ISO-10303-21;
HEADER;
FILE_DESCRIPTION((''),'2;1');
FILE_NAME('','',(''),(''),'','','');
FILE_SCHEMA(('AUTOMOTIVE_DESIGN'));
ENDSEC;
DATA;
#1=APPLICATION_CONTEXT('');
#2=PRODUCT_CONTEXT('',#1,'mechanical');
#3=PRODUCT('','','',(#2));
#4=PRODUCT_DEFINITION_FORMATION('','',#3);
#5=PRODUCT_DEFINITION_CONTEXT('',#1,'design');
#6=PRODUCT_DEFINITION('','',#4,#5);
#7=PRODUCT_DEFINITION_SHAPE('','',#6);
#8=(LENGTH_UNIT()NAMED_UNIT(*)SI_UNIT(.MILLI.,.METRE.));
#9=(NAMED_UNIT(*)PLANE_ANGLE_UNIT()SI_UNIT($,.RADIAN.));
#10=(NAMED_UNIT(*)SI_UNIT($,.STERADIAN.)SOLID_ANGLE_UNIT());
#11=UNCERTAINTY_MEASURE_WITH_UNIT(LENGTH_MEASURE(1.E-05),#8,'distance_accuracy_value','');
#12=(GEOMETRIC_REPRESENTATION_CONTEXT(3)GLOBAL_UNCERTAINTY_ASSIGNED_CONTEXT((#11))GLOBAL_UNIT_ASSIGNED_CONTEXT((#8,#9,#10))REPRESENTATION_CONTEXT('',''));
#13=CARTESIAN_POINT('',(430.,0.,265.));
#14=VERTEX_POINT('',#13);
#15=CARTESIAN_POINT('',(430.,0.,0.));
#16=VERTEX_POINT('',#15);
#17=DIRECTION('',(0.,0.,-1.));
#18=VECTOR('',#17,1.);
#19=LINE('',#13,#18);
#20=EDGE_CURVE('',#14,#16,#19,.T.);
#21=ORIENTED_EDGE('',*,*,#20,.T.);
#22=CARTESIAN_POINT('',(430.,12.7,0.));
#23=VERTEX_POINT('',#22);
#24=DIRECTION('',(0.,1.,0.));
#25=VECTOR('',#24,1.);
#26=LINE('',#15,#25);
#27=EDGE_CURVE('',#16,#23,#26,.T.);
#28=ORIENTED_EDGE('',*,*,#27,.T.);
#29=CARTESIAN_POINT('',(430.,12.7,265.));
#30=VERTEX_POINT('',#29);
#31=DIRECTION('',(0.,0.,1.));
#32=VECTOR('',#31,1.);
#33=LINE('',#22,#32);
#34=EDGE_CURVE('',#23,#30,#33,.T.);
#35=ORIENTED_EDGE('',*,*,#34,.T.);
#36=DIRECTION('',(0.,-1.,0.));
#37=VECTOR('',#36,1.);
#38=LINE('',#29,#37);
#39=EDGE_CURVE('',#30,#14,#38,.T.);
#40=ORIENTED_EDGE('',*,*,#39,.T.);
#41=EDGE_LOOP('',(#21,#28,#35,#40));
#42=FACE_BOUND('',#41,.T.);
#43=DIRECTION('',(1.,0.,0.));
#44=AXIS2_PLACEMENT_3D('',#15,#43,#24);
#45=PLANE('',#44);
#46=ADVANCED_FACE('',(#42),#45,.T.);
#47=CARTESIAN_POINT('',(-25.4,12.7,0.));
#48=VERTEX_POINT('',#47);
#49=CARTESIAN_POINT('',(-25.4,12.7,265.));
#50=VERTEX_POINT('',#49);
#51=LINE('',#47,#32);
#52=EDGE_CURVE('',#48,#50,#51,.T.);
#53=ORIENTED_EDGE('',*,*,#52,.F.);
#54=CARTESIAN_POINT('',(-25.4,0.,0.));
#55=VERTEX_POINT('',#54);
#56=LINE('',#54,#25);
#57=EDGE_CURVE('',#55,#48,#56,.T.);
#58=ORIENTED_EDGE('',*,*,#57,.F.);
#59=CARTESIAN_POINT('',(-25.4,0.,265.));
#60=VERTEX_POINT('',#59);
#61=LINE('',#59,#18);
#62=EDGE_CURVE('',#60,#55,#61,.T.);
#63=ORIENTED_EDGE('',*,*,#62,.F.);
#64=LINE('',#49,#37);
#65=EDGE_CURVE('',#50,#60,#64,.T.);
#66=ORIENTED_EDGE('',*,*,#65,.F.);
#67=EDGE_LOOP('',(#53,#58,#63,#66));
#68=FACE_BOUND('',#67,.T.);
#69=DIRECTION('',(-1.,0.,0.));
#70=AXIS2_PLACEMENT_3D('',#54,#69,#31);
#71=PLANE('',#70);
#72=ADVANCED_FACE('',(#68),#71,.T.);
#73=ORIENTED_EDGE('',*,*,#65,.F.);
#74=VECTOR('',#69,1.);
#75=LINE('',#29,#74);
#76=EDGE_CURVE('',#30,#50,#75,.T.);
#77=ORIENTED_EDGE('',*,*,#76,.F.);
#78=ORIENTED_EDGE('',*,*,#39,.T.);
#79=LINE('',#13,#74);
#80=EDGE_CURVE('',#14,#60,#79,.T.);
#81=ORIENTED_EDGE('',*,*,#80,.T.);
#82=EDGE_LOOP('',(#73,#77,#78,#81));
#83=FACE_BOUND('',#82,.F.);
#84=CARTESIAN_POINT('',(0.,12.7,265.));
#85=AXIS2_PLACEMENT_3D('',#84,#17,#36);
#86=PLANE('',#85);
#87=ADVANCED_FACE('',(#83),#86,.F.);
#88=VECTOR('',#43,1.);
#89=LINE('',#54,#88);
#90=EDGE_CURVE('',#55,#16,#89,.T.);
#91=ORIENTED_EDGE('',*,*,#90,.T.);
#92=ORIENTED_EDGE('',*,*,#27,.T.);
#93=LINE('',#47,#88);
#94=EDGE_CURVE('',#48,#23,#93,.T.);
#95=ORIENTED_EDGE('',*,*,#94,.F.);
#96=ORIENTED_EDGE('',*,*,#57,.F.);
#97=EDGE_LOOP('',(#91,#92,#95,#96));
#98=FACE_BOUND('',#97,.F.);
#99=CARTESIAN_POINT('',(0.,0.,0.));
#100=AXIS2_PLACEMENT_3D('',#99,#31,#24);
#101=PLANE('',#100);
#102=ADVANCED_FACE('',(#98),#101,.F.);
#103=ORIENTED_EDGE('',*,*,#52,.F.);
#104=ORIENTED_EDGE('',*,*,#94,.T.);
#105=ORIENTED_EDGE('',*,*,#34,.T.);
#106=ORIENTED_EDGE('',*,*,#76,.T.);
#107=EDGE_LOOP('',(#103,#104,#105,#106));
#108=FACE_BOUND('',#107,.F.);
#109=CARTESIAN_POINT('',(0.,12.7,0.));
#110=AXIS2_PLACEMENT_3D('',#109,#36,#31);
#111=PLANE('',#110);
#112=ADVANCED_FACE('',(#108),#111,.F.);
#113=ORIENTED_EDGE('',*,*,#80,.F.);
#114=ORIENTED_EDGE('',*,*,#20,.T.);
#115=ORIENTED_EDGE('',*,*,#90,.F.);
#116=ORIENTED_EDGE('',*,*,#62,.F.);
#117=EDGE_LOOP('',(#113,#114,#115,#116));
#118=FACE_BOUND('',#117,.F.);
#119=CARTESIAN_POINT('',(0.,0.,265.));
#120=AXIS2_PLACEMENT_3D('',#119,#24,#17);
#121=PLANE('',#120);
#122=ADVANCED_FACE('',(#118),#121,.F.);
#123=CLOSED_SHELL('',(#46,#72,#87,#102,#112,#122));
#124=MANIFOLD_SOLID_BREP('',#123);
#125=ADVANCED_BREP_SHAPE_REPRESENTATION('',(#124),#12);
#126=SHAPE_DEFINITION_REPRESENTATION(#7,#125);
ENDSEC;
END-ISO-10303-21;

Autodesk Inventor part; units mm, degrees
ref_plane "YZ Plane" through (0, 0, 0) normal (1, 0, 0) x (0, 1, 0)
ref_plane "XZ Plane" through (0, 0, 0) normal (0, 1, 0) x (-1, 0, 0)
ref_plane "XY Plane" through (0, 0, 0) normal (0, 0, 1) x (1, 0, 0)
sketch "Sketch1" plane through (0, 0, 0) normal (1, 0, 0) x (0, 1, 0)
  line L0 (0, 0) -> (12.7, 0)
  line L1 (12.7, 0) -> (12.7, 265)
  line L2 (12.7, 265) -> (0, 265)
  line L3 (0, 265) -> (0, 0)
extrude "Extrusion1" add sketch "Sketch1" along normal blind 430
sketch "Sketch2" plane through (0, 0, 0) normal (-1, 0, 0) x (0, 0, 1)
  line L0 (0, 12.7) -> (265, 12.7) projected
  line L1 (265, 12.7) -> (265, 0) projected
  line L2 (0, 12.7) -> (265, 12.7)
  line L3 (265, 12.7) -> (265, 0)
  line L4 (265, 0) -> (0, 0)
  line L5 (0, 0) -> (0, 12.7)
extrude "Extrusion2" add sketch "Sketch2" along normal blind 25.4
properties part number "Bottom"
